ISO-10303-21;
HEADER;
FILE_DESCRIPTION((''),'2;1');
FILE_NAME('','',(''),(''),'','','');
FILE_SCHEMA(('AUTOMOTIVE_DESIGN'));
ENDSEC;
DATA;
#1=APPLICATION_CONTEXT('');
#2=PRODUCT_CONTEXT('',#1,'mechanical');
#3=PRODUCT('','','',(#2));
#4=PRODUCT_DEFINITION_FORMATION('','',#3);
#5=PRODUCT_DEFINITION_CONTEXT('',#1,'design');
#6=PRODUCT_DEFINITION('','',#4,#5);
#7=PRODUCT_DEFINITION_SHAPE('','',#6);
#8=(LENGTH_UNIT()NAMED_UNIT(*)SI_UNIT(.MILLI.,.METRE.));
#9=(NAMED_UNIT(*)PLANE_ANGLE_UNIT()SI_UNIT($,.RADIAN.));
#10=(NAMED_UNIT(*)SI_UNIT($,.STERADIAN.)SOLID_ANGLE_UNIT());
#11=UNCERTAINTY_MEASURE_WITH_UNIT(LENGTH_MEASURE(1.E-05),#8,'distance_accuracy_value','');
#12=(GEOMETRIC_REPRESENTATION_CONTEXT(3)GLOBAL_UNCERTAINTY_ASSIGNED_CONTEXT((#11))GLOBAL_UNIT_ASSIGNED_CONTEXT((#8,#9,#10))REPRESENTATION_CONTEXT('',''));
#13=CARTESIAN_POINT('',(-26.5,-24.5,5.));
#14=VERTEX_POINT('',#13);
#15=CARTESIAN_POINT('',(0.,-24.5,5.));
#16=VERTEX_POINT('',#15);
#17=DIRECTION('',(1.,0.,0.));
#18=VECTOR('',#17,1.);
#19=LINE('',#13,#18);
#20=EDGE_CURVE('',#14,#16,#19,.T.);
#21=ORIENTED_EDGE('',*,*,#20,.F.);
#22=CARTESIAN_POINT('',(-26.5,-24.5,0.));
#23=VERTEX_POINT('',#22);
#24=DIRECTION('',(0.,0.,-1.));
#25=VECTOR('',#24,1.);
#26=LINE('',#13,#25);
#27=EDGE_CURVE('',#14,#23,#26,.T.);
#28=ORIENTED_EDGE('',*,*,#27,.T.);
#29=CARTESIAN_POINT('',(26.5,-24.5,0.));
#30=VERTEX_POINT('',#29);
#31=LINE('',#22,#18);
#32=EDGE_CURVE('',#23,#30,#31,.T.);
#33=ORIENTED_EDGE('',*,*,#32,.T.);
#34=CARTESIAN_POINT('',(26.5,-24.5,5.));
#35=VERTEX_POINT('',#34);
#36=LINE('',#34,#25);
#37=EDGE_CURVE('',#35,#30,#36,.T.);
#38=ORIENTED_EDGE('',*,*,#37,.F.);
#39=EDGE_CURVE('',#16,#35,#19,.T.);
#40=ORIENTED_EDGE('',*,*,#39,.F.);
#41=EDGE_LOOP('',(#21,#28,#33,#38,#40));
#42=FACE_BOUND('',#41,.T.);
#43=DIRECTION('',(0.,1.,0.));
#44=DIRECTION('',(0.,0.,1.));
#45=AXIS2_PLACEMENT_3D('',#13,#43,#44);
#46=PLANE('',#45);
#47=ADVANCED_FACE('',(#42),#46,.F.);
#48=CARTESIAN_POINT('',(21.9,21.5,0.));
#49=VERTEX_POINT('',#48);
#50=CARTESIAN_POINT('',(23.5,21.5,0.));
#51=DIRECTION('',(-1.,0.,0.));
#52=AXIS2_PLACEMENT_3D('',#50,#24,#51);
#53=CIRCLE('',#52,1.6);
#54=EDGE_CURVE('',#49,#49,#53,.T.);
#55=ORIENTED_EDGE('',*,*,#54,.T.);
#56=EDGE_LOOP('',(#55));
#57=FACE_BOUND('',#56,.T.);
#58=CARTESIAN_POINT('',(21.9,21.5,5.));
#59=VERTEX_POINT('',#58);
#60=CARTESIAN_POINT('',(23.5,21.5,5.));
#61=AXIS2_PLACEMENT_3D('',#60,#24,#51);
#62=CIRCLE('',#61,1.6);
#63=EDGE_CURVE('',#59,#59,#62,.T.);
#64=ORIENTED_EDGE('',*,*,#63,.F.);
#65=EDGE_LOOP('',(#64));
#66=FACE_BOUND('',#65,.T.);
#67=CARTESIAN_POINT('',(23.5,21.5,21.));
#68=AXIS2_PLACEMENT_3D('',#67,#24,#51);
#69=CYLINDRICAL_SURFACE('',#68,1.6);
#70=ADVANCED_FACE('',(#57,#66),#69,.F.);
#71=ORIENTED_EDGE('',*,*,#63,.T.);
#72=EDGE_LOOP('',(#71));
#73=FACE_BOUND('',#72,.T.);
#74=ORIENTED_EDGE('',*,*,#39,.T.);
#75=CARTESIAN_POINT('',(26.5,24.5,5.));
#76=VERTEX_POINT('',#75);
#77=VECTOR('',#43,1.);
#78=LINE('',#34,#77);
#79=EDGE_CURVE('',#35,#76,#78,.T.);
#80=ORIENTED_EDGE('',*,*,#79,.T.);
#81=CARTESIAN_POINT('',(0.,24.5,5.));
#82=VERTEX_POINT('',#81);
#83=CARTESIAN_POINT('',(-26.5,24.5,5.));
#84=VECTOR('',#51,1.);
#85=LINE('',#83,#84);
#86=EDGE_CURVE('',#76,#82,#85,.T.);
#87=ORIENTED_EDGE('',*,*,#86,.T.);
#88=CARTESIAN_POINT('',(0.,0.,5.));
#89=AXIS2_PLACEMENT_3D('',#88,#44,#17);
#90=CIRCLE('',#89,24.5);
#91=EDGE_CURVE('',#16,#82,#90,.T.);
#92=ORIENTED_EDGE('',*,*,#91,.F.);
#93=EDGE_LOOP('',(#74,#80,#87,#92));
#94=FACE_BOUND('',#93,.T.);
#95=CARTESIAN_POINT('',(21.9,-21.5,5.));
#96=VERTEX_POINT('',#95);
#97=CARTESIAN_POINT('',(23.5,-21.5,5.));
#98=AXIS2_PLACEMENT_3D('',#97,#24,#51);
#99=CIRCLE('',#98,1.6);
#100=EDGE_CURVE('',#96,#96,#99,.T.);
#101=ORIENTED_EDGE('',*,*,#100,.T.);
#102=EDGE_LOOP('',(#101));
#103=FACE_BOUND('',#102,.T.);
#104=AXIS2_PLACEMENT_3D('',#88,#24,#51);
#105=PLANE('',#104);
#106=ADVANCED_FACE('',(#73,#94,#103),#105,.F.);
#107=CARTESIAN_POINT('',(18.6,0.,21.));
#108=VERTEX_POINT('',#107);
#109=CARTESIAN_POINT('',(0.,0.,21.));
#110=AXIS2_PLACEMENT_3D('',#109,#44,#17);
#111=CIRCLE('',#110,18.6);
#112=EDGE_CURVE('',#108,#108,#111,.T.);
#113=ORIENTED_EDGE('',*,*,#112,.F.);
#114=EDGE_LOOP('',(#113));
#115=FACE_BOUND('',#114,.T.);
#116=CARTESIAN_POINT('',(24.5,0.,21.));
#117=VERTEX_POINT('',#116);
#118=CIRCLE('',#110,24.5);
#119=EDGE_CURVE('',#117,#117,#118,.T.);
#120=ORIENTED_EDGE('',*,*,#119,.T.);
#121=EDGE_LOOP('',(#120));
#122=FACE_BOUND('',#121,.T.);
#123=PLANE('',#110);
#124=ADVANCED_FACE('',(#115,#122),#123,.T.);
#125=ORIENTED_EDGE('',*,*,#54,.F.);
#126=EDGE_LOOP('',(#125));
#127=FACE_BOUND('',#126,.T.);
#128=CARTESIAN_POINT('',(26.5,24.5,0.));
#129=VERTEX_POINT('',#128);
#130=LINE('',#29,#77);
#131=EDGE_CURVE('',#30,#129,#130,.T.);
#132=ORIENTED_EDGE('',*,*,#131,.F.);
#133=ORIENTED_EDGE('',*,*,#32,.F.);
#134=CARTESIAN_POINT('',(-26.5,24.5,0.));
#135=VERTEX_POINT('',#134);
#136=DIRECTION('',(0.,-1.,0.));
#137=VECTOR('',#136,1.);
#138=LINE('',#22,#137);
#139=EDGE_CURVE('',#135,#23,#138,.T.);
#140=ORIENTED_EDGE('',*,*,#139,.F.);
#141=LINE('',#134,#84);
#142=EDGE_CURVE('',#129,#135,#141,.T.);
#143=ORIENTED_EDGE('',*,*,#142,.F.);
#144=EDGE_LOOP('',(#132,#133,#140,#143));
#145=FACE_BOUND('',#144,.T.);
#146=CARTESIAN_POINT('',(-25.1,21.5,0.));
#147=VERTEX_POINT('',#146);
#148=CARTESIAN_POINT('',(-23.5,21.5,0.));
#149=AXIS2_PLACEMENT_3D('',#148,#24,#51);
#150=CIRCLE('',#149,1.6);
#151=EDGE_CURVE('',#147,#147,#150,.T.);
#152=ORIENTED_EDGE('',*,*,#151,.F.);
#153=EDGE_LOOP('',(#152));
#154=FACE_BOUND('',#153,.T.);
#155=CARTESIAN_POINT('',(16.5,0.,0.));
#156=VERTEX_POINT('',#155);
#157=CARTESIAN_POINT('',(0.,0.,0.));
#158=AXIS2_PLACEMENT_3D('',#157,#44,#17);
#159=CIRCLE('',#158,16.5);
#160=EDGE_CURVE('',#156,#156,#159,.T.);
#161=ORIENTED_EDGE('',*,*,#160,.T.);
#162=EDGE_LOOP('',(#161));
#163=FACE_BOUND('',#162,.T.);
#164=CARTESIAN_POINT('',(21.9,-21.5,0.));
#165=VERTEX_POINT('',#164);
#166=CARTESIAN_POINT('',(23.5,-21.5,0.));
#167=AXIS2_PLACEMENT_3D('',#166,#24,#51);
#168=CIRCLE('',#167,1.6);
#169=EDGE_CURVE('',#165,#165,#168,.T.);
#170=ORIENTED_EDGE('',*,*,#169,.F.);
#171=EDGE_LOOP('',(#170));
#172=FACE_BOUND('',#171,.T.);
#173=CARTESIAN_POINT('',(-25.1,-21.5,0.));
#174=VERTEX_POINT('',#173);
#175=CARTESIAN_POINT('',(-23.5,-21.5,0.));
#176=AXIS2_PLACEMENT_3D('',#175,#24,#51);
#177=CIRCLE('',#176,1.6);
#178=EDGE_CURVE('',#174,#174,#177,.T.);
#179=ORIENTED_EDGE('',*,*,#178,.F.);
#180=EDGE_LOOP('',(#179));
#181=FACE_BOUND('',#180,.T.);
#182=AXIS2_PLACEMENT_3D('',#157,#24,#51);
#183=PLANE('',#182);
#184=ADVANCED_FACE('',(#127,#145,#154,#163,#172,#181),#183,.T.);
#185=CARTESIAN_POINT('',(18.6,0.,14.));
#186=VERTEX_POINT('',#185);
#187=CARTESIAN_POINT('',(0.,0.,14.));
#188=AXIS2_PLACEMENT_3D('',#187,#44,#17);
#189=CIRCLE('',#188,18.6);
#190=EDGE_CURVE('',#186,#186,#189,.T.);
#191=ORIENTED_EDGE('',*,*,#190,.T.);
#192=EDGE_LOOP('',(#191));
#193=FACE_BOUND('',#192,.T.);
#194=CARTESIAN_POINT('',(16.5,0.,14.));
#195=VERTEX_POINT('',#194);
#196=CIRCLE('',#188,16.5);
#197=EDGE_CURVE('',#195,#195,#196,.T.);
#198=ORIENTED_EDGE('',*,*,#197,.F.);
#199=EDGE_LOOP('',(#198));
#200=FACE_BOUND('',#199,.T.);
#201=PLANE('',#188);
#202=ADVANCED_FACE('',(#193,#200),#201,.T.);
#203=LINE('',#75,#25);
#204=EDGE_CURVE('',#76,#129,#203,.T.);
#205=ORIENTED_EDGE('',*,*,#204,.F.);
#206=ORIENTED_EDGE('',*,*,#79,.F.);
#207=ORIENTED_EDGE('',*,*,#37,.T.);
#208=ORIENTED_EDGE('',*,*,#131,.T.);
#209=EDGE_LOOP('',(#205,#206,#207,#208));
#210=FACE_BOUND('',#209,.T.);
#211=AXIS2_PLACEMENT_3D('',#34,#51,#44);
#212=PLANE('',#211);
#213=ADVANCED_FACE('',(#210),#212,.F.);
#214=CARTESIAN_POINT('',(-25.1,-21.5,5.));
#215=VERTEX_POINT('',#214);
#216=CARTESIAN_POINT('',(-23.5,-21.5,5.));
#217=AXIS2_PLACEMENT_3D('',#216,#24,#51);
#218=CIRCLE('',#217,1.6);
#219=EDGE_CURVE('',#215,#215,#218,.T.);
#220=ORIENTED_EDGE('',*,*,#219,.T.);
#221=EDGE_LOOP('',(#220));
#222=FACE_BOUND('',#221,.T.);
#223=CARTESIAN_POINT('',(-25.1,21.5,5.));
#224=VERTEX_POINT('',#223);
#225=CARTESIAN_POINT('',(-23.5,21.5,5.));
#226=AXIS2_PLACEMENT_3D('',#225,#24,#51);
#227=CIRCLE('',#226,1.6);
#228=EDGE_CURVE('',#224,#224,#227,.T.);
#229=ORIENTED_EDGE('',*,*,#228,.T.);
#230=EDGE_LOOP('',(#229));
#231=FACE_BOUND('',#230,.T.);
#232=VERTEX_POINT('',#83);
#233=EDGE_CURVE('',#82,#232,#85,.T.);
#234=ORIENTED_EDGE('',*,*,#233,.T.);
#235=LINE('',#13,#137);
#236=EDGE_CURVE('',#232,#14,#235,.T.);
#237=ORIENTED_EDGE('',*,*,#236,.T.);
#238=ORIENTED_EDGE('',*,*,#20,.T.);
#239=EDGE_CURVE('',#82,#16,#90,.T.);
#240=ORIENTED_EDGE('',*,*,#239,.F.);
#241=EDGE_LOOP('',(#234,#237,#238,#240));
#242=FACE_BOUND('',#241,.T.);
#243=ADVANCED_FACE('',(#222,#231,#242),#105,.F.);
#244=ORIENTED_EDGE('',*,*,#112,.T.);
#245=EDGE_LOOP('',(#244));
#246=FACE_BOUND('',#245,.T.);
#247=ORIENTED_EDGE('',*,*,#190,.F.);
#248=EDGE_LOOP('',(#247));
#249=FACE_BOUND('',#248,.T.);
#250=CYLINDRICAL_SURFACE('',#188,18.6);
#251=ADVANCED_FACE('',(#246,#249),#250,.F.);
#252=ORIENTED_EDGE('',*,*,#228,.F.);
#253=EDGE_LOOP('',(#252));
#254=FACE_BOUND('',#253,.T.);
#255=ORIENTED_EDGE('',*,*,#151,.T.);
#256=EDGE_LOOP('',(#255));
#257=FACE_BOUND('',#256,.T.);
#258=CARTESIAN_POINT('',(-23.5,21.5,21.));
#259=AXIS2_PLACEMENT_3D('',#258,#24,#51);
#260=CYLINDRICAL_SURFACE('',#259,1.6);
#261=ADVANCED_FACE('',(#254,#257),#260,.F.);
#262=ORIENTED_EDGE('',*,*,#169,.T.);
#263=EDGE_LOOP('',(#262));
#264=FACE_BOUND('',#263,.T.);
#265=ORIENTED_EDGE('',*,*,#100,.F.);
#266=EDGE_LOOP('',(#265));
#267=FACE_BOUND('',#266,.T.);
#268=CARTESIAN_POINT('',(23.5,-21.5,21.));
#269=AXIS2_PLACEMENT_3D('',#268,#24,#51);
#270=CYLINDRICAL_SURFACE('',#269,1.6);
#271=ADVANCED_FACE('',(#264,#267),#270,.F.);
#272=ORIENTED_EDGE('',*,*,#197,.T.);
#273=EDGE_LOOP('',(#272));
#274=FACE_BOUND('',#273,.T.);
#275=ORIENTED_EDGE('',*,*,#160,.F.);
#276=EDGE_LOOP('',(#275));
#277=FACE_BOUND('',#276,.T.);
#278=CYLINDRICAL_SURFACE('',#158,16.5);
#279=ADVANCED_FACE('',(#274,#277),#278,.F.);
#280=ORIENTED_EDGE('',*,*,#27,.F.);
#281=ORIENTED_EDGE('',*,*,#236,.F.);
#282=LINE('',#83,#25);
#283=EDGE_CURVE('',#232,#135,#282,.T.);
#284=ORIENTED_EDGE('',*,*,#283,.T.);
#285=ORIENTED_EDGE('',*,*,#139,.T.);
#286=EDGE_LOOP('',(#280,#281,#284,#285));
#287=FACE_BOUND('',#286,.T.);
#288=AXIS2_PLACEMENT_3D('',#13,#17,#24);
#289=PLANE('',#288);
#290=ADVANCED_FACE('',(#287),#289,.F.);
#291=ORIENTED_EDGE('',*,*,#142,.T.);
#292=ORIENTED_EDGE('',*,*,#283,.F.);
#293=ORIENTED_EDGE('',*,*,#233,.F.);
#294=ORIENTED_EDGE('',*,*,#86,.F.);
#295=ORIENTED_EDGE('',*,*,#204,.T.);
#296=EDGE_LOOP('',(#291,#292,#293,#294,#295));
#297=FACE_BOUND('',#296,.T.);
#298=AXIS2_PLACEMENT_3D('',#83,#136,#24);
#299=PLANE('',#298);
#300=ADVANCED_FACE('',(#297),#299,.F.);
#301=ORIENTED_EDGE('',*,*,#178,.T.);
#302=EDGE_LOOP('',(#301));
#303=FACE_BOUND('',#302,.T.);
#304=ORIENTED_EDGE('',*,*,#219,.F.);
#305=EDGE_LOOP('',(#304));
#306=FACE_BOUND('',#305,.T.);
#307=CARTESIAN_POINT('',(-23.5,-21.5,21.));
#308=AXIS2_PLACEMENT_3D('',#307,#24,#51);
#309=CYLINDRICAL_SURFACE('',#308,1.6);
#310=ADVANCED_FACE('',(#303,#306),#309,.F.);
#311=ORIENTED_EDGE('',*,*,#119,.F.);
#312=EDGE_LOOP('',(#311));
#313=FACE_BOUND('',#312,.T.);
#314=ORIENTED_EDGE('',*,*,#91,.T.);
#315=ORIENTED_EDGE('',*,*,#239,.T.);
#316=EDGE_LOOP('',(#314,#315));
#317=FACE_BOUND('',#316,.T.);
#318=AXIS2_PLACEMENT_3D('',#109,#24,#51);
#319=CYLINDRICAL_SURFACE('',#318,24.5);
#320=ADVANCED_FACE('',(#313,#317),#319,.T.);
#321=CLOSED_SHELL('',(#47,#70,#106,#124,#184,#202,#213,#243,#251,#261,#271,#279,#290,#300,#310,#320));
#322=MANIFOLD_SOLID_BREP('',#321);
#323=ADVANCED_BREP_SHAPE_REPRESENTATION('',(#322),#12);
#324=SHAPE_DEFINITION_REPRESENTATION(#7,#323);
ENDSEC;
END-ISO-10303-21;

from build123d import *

# Parameters (mm, degrees)
SKETCH1_W           = 53
SKETCH1_H           = 49
BOSS_EXTRUDE1_DEPTH = 5
SKETCH2_R           = 24.5
BOSS_EXTRUDE2_DEPTH = 16
SKETCH4_R           = 1.6
CUT_EXTRUDE1_DEPTH  = 22
SKETCH5_R           = 18.6
CUT_EXTRUDE2_DEPTH  = 7
SKETCH6_R           = 16.5
CUT_EXTRUDE3_DEPTH  = 15


with BuildPart() as part:
    # Sketch1 → Boss-Extrude1 (new body)
    with BuildSketch(Plane.XY):
        Rectangle(SKETCH1_W, SKETCH1_H)
    extrude(amount=BOSS_EXTRUDE1_DEPTH)

    # Sketch2 → Boss-Extrude2 (add)
    with BuildSketch(Plane.XY.offset(5)):
        Circle(SKETCH2_R)
    extrude(amount=BOSS_EXTRUDE2_DEPTH)

    # Sketch4 → Cut-Extrude1 (cut, through all)
    with BuildSketch(Plane(origin=(0, 0, 0), x_dir=(-1, 0, 0), z_dir=(0, 0, -1))):
        with Locations((23.5, -21.5)):
            Circle(SKETCH4_R)
        with Locations((-23.5, -21.5)):
            Circle(SKETCH4_R)
        with Locations((23.5, 21.5)):
            Circle(SKETCH4_R)
        with Locations((-23.5, 21.5)):
            Circle(SKETCH4_R)
    extrude(amount=-CUT_EXTRUDE1_DEPTH, mode=Mode.SUBTRACT)

    # Sketch5 → Cut-Extrude2 (cut)
    with BuildSketch(Plane.XY.offset(21)):
        Circle(SKETCH5_R)
    extrude(amount=-CUT_EXTRUDE2_DEPTH, mode=Mode.SUBTRACT)

    # Sketch6 → Cut-Extrude3 (cut, through all)
    with BuildSketch(Plane.XY.offset(14)):
        Circle(SKETCH6_R)
    extrude(amount=-CUT_EXTRUDE3_DEPTH, mode=Mode.SUBTRACT)


solid = part.part
